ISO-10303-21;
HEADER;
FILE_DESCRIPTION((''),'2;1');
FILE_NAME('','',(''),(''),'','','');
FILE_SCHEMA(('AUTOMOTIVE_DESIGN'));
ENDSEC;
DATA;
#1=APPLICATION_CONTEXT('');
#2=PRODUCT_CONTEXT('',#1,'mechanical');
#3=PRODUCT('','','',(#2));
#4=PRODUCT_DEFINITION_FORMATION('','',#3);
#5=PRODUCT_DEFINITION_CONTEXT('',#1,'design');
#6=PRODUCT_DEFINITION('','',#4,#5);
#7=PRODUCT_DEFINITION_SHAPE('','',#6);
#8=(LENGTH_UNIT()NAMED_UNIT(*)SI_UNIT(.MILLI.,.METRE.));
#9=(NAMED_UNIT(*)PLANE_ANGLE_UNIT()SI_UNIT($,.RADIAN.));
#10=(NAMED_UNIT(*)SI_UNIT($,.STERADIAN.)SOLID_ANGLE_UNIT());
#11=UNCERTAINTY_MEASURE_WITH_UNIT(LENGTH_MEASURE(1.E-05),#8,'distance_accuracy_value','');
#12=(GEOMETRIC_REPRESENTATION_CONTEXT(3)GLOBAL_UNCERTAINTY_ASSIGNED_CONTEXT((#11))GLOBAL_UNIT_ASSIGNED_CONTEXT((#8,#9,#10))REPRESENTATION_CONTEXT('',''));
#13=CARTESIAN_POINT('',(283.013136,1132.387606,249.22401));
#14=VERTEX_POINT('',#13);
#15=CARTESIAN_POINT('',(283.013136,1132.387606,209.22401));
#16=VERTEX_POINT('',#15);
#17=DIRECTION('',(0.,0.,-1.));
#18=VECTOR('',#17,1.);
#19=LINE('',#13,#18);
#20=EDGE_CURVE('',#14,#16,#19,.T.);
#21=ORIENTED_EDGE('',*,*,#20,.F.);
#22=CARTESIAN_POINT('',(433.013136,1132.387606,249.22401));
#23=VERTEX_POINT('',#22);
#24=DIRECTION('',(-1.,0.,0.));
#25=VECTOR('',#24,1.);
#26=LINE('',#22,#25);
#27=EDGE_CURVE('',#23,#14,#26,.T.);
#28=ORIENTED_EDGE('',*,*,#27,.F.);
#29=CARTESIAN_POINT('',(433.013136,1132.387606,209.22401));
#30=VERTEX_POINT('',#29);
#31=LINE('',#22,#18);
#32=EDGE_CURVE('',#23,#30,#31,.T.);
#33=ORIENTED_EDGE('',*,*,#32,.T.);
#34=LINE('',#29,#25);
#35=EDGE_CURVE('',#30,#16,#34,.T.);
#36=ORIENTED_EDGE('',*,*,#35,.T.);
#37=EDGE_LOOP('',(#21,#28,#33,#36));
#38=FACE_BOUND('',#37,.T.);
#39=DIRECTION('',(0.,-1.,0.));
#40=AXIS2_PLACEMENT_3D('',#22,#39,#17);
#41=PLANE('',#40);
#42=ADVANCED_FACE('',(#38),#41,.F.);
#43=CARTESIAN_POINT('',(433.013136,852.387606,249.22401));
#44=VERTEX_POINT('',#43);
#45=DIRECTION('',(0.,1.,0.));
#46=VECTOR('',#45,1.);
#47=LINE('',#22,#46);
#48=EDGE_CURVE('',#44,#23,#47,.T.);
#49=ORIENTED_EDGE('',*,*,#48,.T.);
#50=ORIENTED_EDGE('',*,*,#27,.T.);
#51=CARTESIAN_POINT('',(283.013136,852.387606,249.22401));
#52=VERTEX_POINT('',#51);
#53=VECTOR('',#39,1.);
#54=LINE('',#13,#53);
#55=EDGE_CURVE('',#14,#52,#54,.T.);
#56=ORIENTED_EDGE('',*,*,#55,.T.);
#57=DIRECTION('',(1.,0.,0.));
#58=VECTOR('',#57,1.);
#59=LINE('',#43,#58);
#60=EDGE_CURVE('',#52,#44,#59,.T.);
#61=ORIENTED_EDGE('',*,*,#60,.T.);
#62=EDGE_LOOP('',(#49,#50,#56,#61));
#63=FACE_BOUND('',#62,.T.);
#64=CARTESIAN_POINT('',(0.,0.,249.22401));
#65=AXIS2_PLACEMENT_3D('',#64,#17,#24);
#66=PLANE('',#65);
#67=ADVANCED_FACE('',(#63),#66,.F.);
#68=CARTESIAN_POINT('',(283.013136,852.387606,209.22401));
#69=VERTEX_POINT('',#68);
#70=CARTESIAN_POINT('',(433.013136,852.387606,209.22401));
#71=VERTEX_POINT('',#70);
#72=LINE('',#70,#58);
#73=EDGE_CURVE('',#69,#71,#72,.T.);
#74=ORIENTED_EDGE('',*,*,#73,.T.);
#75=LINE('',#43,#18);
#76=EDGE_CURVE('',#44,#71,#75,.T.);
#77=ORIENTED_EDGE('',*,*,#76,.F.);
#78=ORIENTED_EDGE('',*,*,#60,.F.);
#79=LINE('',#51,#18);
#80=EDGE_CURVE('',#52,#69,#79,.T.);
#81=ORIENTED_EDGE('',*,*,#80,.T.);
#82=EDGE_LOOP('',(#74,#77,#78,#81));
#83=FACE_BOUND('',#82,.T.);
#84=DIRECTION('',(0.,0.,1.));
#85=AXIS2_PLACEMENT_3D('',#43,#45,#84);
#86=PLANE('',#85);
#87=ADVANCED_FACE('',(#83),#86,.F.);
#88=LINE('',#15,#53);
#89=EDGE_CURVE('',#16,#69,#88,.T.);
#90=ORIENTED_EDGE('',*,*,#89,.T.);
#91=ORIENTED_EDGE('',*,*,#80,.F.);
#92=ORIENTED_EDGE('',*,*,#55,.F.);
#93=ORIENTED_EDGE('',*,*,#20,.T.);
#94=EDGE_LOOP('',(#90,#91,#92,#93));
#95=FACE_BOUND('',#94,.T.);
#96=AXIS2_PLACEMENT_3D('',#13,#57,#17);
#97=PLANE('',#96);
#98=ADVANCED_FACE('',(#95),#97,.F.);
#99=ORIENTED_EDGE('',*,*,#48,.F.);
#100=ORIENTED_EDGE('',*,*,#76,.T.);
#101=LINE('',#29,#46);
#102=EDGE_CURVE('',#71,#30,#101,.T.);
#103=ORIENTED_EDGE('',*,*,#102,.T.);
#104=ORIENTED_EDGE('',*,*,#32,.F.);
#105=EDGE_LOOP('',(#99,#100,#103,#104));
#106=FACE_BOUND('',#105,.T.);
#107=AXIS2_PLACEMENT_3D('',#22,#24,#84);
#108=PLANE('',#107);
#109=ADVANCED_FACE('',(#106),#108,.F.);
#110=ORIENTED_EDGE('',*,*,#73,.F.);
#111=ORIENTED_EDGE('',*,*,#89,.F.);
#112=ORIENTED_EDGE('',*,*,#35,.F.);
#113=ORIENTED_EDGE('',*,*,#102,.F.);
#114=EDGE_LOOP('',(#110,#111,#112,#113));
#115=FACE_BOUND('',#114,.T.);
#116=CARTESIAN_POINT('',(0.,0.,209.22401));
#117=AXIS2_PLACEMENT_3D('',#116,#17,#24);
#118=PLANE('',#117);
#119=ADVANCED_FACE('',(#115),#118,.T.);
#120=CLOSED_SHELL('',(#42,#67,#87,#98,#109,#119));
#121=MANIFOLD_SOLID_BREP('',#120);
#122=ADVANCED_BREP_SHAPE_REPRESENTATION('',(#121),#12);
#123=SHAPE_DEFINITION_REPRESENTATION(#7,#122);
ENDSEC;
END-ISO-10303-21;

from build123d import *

# Parameters (mm, degrees)
BOSS_EXTRUDE1_DEPTH = 40


with BuildPart() as part:
    # 3DSketch1 → Boss-Extrude1 (new body)
    with BuildSketch(Plane(origin=(433.013135805, 1132.387606431, 249.224010025), x_dir=(-0.4722214125154189, -0.8814799700287822, 0), z_dir=(0, 0, -1))):
        Polygon((0, 0), (70.833211877, 132.221995504), (317.647603485, 0), (246.814391608, -132.221995504), align=None)
    extrude(amount=BOSS_EXTRUDE1_DEPTH)


solid = part.part
